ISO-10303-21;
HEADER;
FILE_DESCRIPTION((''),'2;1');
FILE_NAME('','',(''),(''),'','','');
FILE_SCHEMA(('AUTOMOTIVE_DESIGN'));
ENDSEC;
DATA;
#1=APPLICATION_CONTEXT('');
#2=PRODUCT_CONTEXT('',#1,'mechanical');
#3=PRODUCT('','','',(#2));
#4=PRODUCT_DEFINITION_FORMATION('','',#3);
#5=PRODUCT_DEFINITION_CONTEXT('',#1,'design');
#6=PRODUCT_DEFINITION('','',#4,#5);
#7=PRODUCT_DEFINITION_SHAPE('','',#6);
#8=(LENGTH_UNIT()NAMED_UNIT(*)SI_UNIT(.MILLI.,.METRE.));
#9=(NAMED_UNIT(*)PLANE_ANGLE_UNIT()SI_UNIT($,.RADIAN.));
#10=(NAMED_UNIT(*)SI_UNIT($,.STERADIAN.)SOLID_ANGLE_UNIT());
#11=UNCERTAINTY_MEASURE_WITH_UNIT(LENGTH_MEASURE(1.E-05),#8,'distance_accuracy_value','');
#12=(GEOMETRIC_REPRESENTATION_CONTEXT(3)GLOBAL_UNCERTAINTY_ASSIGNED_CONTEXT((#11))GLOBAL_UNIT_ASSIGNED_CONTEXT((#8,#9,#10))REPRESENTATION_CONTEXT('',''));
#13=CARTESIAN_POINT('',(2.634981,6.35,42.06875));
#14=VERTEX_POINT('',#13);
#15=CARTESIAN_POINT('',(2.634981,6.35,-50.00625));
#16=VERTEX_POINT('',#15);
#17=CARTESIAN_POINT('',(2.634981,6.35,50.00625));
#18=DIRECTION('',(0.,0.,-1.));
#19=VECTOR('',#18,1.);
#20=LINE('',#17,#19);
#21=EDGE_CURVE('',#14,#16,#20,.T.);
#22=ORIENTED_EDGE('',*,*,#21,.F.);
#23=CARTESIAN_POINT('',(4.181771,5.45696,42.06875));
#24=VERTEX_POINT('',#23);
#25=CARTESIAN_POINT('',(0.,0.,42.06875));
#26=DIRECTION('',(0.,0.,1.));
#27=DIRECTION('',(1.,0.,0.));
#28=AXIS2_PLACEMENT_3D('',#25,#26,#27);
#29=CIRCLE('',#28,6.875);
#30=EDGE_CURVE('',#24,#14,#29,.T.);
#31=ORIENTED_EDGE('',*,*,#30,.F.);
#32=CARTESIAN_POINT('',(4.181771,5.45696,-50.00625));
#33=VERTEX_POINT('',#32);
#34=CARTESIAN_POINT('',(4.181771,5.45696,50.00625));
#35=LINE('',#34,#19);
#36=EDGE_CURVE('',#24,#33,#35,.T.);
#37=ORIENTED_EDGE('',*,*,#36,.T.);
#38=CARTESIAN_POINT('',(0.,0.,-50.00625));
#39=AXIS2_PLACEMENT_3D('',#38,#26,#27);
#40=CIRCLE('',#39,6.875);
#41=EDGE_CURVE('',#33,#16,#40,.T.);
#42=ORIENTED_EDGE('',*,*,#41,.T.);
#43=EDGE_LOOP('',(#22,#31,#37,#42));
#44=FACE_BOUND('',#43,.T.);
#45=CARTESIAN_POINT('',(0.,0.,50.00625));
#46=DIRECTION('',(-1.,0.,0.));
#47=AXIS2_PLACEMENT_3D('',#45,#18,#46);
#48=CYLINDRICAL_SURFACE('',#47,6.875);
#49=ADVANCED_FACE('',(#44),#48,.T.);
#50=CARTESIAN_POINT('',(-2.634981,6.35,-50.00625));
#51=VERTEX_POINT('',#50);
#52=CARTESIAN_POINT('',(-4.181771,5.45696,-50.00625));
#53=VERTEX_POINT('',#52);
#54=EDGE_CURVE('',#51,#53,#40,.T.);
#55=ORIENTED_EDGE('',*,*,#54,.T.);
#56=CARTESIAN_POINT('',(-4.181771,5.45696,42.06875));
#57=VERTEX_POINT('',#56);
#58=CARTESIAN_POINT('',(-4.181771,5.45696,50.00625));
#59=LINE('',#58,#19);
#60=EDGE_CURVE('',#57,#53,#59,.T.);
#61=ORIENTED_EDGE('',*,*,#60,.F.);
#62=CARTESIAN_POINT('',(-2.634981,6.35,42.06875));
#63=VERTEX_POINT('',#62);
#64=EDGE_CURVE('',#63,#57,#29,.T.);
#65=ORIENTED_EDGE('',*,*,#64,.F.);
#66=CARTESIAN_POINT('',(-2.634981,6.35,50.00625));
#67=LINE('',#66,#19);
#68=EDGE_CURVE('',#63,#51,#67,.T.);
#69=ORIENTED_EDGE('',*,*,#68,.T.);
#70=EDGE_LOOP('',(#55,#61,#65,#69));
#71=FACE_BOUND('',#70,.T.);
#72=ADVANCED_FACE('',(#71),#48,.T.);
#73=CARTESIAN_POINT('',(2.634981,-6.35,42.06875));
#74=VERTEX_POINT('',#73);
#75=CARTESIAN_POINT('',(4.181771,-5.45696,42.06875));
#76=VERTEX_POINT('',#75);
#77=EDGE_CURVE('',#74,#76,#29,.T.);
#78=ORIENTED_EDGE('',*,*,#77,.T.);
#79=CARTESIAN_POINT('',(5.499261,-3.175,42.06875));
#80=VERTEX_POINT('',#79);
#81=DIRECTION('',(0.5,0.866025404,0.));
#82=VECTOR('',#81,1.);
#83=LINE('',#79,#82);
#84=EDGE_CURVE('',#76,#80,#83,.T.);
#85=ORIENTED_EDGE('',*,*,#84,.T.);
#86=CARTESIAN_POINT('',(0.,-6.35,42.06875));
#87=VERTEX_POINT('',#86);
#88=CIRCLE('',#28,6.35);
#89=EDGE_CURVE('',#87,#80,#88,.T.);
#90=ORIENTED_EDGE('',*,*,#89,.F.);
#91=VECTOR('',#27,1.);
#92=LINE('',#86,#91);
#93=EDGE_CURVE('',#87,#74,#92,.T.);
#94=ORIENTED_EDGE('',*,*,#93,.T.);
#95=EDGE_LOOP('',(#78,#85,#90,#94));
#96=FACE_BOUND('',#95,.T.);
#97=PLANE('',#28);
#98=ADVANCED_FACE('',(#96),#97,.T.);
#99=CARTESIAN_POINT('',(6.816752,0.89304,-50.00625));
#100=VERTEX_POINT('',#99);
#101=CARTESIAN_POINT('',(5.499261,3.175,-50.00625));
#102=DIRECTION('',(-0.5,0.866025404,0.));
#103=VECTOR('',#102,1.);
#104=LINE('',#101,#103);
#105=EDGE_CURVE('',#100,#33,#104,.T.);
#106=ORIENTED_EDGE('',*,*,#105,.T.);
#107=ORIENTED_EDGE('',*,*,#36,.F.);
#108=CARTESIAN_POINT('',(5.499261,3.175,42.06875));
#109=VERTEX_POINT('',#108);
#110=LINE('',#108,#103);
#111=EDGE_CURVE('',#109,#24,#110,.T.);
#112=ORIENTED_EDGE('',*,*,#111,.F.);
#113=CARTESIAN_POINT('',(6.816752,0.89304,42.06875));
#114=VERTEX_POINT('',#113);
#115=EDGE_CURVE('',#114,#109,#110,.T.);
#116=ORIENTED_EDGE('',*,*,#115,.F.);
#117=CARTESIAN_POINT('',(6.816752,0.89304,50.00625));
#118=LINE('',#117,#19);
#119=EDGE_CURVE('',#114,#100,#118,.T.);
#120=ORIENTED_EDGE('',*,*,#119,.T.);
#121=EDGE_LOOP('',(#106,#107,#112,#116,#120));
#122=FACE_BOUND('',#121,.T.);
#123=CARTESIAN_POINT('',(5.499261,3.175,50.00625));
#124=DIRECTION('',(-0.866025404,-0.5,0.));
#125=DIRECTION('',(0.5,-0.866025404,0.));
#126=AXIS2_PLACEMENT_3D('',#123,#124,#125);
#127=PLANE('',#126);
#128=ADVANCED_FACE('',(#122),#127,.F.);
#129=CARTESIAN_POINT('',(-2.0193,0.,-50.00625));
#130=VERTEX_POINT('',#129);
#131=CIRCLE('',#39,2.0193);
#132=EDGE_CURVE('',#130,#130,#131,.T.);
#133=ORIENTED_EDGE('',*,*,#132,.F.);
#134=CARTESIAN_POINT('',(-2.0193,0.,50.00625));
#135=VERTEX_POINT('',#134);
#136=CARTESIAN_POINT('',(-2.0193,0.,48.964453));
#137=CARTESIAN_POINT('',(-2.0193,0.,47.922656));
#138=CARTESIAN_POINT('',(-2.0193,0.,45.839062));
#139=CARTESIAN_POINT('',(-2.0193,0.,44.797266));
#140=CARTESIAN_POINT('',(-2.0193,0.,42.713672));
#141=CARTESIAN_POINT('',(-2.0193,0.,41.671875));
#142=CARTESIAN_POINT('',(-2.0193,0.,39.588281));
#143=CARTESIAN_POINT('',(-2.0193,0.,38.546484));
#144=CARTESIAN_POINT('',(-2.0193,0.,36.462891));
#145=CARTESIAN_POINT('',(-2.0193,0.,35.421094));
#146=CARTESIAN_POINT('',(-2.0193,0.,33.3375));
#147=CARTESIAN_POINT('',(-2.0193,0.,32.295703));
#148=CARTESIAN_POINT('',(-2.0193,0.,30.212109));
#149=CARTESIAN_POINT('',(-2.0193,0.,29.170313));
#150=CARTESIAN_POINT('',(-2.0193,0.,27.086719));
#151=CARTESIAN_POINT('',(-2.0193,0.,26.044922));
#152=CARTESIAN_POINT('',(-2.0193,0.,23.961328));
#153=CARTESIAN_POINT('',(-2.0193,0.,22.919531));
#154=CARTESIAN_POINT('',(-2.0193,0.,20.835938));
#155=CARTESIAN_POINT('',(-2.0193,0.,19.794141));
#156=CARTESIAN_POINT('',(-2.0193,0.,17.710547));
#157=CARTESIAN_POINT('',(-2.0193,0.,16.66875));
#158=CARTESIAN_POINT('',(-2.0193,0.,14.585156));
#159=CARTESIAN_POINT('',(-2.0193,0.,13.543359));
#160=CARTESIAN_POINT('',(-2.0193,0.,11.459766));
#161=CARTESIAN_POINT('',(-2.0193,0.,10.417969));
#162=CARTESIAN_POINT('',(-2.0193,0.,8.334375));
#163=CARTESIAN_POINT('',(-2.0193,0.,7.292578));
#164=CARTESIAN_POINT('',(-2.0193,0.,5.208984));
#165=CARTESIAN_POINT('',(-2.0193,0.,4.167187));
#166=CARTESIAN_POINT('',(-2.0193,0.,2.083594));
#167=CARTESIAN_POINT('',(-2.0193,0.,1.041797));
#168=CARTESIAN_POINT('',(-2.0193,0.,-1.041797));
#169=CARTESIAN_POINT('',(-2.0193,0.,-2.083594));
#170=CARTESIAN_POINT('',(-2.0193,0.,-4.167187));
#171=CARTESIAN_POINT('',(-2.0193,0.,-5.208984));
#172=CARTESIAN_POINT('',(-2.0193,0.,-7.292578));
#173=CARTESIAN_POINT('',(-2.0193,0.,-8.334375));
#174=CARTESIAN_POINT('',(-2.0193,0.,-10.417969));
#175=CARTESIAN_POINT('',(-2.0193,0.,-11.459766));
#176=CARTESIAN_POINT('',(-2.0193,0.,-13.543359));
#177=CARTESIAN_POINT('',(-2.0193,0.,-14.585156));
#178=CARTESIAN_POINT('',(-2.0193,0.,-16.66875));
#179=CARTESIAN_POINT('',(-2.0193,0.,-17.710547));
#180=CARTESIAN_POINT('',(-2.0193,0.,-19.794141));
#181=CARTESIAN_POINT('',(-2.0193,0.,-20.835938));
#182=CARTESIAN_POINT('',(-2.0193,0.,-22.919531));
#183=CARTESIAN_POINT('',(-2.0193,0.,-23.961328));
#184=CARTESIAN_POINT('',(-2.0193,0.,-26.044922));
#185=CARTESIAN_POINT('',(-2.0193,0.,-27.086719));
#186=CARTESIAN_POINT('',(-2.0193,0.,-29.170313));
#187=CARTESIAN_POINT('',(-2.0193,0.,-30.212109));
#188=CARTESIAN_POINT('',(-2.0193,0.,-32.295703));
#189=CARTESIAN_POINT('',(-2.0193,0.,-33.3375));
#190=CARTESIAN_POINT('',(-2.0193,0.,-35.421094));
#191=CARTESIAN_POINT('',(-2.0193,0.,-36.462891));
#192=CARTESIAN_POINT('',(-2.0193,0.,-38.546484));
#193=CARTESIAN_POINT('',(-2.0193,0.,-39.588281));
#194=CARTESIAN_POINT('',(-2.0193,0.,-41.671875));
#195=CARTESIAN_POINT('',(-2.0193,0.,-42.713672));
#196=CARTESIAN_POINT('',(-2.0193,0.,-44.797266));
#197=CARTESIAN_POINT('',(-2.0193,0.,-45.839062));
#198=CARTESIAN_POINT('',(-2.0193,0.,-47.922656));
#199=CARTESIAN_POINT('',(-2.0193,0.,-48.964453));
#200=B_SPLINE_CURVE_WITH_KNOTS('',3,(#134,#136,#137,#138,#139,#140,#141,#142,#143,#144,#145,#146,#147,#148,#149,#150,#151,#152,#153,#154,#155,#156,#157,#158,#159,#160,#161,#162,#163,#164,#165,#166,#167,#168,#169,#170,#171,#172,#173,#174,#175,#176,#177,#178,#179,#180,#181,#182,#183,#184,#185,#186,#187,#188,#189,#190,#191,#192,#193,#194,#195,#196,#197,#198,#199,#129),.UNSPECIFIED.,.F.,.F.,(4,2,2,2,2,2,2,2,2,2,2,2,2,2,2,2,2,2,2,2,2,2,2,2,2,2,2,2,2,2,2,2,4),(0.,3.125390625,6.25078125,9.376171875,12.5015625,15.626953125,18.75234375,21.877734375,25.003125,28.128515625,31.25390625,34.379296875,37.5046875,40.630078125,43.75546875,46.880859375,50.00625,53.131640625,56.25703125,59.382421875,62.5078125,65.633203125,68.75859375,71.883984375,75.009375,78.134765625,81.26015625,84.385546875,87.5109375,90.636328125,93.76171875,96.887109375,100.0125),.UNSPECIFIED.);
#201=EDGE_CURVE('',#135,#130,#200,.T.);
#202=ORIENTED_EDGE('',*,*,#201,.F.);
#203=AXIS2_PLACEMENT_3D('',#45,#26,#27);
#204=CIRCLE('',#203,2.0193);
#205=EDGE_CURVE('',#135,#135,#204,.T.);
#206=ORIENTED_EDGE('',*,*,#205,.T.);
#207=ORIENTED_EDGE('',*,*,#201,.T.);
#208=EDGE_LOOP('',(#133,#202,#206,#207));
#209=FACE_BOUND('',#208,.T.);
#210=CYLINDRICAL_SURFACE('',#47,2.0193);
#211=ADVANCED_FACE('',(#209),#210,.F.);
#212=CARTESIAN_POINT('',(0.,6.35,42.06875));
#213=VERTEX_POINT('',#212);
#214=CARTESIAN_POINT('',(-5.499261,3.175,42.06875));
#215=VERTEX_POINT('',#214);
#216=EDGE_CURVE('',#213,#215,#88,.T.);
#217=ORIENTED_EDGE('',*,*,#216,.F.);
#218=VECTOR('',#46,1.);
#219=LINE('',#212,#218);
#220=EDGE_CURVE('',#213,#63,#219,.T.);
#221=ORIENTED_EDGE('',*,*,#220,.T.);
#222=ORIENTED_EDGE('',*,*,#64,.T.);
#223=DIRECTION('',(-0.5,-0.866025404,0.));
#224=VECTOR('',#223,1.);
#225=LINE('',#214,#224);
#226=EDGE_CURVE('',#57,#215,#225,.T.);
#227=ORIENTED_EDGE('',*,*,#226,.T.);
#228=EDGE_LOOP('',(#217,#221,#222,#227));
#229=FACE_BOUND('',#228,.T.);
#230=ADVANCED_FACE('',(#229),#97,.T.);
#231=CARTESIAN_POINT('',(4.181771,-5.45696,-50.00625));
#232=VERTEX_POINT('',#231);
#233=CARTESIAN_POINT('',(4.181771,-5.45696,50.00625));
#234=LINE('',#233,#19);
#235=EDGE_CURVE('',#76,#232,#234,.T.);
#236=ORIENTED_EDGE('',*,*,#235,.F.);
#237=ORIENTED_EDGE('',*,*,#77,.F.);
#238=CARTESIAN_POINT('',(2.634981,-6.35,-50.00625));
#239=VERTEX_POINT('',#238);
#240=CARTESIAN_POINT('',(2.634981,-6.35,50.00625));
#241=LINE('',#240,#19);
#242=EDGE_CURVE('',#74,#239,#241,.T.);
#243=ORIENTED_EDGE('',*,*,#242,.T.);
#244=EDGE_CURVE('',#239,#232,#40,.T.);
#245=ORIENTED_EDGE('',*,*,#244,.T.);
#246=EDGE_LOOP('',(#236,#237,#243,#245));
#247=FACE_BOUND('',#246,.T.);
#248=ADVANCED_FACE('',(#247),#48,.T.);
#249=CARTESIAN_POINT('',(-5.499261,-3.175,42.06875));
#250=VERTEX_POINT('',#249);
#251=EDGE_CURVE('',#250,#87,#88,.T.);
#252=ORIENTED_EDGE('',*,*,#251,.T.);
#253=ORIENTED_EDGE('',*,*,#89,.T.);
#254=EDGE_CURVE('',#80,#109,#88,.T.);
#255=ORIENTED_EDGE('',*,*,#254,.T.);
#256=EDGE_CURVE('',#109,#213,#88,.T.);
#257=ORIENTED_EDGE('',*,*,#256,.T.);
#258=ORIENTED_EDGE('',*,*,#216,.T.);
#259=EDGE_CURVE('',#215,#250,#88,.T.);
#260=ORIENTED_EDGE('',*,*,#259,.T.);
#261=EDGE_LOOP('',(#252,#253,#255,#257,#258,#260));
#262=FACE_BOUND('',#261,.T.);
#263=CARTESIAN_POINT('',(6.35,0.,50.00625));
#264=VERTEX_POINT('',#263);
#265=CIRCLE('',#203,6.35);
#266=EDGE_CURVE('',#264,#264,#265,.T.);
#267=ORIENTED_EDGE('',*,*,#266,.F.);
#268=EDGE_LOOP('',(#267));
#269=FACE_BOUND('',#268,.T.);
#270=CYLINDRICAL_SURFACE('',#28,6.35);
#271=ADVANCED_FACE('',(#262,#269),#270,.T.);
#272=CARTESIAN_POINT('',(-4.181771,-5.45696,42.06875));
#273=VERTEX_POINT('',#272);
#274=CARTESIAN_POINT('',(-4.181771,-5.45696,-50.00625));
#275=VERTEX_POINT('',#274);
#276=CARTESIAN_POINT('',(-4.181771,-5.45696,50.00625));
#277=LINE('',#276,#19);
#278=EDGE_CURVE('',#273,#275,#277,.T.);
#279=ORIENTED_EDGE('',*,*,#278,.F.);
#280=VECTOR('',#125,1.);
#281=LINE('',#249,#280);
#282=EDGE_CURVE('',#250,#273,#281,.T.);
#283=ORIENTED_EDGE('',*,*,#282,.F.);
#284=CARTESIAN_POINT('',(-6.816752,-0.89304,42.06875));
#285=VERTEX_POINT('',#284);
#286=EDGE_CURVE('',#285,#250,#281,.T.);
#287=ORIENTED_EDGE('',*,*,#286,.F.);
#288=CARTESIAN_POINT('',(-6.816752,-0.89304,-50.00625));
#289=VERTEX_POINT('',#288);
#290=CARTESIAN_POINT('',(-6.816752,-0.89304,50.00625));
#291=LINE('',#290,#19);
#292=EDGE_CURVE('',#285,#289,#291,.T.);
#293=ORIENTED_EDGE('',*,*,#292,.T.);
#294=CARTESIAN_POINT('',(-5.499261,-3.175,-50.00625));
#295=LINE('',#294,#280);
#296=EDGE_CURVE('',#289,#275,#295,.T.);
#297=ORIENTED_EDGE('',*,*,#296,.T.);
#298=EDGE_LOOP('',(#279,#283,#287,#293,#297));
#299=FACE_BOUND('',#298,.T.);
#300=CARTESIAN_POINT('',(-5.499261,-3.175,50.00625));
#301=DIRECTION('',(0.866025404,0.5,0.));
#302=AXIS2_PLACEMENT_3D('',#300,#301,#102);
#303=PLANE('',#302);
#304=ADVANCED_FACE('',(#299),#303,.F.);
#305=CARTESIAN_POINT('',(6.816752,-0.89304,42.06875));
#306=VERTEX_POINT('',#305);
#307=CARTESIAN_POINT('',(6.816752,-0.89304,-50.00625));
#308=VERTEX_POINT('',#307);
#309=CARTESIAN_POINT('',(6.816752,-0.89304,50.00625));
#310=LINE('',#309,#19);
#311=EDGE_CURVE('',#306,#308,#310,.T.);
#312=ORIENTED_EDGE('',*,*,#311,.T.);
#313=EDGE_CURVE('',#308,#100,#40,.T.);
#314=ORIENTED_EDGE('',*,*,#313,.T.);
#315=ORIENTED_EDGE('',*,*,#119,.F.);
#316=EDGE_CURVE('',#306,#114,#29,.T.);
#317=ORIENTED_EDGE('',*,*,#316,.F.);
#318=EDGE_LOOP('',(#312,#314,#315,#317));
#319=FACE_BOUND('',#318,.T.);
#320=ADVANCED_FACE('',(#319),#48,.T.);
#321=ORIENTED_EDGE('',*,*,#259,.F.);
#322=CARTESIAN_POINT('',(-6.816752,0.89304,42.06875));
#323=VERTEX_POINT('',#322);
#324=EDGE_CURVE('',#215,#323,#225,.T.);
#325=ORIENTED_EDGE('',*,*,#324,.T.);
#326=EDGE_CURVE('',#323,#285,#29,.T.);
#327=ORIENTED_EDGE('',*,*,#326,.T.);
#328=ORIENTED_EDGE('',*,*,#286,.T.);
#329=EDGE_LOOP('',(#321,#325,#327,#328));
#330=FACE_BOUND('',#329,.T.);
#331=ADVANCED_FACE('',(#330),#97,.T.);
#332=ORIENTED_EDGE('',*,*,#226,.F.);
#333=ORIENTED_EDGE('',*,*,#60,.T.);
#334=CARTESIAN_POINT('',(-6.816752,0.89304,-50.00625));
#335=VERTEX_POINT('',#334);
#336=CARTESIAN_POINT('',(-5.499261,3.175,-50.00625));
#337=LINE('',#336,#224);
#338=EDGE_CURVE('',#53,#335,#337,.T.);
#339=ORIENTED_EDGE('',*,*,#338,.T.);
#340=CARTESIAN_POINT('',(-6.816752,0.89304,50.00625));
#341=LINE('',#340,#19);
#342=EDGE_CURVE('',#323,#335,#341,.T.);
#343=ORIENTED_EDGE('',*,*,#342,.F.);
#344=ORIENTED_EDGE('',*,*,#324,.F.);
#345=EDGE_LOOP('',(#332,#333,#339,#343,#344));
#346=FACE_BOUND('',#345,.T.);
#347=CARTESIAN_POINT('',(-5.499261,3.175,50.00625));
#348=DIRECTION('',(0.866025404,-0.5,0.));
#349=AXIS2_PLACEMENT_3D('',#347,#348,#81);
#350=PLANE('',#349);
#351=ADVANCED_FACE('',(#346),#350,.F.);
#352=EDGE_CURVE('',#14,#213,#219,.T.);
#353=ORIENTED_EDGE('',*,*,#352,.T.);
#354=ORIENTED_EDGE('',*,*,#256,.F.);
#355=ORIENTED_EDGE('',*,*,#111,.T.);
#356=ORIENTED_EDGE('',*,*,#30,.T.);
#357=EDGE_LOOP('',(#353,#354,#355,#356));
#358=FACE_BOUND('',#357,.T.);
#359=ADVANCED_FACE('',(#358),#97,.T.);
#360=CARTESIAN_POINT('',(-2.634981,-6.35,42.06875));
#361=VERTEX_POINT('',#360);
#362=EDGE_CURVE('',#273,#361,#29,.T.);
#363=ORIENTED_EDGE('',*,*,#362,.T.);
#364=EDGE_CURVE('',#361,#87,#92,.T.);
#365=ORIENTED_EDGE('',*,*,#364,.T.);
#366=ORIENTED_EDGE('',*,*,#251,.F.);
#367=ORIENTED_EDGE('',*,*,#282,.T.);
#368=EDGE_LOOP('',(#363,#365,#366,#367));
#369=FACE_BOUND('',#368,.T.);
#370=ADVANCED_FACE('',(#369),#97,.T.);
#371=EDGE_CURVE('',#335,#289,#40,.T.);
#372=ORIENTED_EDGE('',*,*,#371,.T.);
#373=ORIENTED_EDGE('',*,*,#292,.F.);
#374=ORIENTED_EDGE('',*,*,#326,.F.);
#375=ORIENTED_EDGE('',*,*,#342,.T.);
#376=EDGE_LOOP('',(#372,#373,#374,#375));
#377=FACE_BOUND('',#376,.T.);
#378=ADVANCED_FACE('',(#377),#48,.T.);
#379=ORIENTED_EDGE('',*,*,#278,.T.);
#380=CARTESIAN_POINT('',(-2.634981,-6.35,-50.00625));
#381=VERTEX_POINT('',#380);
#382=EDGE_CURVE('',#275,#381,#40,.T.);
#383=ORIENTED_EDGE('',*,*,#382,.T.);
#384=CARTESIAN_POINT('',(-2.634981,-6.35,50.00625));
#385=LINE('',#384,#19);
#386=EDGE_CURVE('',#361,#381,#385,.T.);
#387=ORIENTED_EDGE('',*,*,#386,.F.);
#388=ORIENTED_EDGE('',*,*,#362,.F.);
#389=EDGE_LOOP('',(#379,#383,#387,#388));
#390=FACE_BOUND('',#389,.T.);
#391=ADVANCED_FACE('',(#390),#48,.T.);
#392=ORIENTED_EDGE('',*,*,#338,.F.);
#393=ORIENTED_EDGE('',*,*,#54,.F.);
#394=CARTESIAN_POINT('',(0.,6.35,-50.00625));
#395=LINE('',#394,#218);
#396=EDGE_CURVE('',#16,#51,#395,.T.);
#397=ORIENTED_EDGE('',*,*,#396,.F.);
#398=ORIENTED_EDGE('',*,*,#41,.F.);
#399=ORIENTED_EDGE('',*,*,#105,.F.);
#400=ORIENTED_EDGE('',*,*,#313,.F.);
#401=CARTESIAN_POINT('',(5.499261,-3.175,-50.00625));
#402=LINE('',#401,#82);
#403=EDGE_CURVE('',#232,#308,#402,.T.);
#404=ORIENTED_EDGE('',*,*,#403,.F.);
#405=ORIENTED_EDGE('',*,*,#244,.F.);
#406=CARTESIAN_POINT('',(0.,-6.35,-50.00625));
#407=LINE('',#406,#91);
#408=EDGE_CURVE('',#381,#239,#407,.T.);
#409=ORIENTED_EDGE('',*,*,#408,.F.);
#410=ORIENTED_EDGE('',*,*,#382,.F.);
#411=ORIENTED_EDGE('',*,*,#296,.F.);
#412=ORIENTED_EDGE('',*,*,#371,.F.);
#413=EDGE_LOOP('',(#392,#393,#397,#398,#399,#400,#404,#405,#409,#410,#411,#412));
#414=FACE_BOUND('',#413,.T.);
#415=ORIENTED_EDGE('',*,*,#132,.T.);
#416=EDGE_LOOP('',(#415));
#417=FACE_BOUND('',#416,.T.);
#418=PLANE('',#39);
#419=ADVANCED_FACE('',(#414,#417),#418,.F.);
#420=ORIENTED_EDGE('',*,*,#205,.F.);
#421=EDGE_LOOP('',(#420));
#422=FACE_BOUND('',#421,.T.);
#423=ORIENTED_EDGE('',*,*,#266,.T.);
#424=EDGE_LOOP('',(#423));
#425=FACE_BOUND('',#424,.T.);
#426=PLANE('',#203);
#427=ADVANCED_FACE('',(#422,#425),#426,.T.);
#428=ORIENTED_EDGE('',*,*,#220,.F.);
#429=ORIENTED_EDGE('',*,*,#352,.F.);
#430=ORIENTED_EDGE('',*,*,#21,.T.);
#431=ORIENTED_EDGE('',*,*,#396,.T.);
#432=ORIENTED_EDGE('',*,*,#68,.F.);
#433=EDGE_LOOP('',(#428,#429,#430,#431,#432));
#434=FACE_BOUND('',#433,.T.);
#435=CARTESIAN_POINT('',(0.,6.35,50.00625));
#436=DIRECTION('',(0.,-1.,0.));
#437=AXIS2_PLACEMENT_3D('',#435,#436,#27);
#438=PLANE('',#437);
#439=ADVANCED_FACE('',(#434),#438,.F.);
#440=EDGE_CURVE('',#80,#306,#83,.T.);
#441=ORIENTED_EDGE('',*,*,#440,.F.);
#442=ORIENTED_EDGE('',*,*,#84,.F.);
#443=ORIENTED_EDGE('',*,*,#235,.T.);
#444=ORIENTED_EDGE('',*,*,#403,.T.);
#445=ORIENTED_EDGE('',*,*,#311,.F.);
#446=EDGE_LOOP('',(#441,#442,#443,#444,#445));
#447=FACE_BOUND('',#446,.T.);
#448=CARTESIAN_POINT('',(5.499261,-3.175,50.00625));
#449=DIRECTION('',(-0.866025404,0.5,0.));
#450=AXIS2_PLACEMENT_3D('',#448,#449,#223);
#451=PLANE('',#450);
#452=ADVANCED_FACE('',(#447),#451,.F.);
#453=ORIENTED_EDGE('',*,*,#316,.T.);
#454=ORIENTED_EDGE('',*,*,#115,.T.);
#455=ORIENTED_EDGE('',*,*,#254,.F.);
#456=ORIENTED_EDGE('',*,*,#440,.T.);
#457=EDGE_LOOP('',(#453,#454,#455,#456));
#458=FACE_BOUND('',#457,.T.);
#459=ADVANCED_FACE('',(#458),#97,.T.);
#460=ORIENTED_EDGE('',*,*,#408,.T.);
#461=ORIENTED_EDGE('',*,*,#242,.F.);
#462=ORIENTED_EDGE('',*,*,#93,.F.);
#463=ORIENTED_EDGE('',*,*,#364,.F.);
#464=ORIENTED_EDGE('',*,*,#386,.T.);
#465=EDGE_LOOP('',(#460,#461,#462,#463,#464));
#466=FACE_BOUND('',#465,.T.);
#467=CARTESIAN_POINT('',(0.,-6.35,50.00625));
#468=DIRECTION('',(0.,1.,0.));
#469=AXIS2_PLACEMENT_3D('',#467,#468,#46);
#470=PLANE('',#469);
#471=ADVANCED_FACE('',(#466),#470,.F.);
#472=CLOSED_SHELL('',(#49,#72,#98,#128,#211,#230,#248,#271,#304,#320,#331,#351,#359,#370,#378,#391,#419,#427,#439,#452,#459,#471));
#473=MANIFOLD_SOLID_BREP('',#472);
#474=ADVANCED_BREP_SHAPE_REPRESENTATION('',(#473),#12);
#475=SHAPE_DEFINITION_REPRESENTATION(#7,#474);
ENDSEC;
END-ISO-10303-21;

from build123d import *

# Parameters (mm, degrees)
SKETCH1_R           = 2.0193
BOSS_EXTRUDE1_DEPTH = 50.00625
SKETCH2_OUTSIDE_W   = 36.1
SKETCH2_OUTSIDE_H   = 35.05
SKETCH2_OUTSIDE_R   = 6.35
CUT_EXTRUDE2_DEPTH  = 7.9375


with BuildPart() as part:
    # Sketch1 → Boss-Extrude1 (new, symmetric)
    with BuildSketch(Plane.XY):
        with BuildLine():
            ThreePointArc((4.181770846, 5.456960429), (3.437499983, 5.953924622), (2.634980936, 6.35))
            Line((2.634980936, 6.35), (-2.634980936, 6.35))
            ThreePointArc((-2.634980936, 6.35), (-3.437499983, 5.953924622), (-4.181770846, 5.456960429))
            Line((-4.181770846, 5.456960429), (-6.816751782, 0.893039571))
            ThreePointArc((-6.816751782, 0.893039571), (-6.874999966, 0), (-6.816751782, -0.893039571))
            Line((-6.816751782, -0.893039571), (-4.181770846, -5.456960429))
            ThreePointArc((-4.181770846, -5.456960429), (-3.437499983, -5.953924622), (-2.634980936, -6.35))
            Line((-2.634980936, -6.35), (2.634980936, -6.35))
            ThreePointArc((2.634980936, -6.35), (3.437499983, -5.953924622), (4.181770846, -5.456960429))
            Line((4.181770846, -5.456960429), (6.816751782, -0.893039571))
            ThreePointArc((6.816751782, -0.893039571), (6.860422465, -0.447468582), (6.874999966, 0))
            ThreePointArc((6.874999966, 0), (6.860422465, 0.447468582), (6.816751782, 0.893039571))
            Line((6.816751782, 0.893039571), (4.181770846, 5.456960429))
        make_face()
        with Locations(Location((0, 0, 0), (0, 0, 180))):
            Circle(SKETCH1_R, mode=Mode.SUBTRACT)
    extrude(amount=BOSS_EXTRUDE1_DEPTH, both=True)

    # Sketch2 outside → Cut-Extrude2 (cut)
    with BuildSketch(Plane.XY.offset(50.00625)):
        Rectangle(SKETCH2_OUTSIDE_W, SKETCH2_OUTSIDE_H)
        Circle(SKETCH2_OUTSIDE_R, mode=Mode.SUBTRACT)
    extrude(amount=-CUT_EXTRUDE2_DEPTH, mode=Mode.SUBTRACT)


solid = part.part
